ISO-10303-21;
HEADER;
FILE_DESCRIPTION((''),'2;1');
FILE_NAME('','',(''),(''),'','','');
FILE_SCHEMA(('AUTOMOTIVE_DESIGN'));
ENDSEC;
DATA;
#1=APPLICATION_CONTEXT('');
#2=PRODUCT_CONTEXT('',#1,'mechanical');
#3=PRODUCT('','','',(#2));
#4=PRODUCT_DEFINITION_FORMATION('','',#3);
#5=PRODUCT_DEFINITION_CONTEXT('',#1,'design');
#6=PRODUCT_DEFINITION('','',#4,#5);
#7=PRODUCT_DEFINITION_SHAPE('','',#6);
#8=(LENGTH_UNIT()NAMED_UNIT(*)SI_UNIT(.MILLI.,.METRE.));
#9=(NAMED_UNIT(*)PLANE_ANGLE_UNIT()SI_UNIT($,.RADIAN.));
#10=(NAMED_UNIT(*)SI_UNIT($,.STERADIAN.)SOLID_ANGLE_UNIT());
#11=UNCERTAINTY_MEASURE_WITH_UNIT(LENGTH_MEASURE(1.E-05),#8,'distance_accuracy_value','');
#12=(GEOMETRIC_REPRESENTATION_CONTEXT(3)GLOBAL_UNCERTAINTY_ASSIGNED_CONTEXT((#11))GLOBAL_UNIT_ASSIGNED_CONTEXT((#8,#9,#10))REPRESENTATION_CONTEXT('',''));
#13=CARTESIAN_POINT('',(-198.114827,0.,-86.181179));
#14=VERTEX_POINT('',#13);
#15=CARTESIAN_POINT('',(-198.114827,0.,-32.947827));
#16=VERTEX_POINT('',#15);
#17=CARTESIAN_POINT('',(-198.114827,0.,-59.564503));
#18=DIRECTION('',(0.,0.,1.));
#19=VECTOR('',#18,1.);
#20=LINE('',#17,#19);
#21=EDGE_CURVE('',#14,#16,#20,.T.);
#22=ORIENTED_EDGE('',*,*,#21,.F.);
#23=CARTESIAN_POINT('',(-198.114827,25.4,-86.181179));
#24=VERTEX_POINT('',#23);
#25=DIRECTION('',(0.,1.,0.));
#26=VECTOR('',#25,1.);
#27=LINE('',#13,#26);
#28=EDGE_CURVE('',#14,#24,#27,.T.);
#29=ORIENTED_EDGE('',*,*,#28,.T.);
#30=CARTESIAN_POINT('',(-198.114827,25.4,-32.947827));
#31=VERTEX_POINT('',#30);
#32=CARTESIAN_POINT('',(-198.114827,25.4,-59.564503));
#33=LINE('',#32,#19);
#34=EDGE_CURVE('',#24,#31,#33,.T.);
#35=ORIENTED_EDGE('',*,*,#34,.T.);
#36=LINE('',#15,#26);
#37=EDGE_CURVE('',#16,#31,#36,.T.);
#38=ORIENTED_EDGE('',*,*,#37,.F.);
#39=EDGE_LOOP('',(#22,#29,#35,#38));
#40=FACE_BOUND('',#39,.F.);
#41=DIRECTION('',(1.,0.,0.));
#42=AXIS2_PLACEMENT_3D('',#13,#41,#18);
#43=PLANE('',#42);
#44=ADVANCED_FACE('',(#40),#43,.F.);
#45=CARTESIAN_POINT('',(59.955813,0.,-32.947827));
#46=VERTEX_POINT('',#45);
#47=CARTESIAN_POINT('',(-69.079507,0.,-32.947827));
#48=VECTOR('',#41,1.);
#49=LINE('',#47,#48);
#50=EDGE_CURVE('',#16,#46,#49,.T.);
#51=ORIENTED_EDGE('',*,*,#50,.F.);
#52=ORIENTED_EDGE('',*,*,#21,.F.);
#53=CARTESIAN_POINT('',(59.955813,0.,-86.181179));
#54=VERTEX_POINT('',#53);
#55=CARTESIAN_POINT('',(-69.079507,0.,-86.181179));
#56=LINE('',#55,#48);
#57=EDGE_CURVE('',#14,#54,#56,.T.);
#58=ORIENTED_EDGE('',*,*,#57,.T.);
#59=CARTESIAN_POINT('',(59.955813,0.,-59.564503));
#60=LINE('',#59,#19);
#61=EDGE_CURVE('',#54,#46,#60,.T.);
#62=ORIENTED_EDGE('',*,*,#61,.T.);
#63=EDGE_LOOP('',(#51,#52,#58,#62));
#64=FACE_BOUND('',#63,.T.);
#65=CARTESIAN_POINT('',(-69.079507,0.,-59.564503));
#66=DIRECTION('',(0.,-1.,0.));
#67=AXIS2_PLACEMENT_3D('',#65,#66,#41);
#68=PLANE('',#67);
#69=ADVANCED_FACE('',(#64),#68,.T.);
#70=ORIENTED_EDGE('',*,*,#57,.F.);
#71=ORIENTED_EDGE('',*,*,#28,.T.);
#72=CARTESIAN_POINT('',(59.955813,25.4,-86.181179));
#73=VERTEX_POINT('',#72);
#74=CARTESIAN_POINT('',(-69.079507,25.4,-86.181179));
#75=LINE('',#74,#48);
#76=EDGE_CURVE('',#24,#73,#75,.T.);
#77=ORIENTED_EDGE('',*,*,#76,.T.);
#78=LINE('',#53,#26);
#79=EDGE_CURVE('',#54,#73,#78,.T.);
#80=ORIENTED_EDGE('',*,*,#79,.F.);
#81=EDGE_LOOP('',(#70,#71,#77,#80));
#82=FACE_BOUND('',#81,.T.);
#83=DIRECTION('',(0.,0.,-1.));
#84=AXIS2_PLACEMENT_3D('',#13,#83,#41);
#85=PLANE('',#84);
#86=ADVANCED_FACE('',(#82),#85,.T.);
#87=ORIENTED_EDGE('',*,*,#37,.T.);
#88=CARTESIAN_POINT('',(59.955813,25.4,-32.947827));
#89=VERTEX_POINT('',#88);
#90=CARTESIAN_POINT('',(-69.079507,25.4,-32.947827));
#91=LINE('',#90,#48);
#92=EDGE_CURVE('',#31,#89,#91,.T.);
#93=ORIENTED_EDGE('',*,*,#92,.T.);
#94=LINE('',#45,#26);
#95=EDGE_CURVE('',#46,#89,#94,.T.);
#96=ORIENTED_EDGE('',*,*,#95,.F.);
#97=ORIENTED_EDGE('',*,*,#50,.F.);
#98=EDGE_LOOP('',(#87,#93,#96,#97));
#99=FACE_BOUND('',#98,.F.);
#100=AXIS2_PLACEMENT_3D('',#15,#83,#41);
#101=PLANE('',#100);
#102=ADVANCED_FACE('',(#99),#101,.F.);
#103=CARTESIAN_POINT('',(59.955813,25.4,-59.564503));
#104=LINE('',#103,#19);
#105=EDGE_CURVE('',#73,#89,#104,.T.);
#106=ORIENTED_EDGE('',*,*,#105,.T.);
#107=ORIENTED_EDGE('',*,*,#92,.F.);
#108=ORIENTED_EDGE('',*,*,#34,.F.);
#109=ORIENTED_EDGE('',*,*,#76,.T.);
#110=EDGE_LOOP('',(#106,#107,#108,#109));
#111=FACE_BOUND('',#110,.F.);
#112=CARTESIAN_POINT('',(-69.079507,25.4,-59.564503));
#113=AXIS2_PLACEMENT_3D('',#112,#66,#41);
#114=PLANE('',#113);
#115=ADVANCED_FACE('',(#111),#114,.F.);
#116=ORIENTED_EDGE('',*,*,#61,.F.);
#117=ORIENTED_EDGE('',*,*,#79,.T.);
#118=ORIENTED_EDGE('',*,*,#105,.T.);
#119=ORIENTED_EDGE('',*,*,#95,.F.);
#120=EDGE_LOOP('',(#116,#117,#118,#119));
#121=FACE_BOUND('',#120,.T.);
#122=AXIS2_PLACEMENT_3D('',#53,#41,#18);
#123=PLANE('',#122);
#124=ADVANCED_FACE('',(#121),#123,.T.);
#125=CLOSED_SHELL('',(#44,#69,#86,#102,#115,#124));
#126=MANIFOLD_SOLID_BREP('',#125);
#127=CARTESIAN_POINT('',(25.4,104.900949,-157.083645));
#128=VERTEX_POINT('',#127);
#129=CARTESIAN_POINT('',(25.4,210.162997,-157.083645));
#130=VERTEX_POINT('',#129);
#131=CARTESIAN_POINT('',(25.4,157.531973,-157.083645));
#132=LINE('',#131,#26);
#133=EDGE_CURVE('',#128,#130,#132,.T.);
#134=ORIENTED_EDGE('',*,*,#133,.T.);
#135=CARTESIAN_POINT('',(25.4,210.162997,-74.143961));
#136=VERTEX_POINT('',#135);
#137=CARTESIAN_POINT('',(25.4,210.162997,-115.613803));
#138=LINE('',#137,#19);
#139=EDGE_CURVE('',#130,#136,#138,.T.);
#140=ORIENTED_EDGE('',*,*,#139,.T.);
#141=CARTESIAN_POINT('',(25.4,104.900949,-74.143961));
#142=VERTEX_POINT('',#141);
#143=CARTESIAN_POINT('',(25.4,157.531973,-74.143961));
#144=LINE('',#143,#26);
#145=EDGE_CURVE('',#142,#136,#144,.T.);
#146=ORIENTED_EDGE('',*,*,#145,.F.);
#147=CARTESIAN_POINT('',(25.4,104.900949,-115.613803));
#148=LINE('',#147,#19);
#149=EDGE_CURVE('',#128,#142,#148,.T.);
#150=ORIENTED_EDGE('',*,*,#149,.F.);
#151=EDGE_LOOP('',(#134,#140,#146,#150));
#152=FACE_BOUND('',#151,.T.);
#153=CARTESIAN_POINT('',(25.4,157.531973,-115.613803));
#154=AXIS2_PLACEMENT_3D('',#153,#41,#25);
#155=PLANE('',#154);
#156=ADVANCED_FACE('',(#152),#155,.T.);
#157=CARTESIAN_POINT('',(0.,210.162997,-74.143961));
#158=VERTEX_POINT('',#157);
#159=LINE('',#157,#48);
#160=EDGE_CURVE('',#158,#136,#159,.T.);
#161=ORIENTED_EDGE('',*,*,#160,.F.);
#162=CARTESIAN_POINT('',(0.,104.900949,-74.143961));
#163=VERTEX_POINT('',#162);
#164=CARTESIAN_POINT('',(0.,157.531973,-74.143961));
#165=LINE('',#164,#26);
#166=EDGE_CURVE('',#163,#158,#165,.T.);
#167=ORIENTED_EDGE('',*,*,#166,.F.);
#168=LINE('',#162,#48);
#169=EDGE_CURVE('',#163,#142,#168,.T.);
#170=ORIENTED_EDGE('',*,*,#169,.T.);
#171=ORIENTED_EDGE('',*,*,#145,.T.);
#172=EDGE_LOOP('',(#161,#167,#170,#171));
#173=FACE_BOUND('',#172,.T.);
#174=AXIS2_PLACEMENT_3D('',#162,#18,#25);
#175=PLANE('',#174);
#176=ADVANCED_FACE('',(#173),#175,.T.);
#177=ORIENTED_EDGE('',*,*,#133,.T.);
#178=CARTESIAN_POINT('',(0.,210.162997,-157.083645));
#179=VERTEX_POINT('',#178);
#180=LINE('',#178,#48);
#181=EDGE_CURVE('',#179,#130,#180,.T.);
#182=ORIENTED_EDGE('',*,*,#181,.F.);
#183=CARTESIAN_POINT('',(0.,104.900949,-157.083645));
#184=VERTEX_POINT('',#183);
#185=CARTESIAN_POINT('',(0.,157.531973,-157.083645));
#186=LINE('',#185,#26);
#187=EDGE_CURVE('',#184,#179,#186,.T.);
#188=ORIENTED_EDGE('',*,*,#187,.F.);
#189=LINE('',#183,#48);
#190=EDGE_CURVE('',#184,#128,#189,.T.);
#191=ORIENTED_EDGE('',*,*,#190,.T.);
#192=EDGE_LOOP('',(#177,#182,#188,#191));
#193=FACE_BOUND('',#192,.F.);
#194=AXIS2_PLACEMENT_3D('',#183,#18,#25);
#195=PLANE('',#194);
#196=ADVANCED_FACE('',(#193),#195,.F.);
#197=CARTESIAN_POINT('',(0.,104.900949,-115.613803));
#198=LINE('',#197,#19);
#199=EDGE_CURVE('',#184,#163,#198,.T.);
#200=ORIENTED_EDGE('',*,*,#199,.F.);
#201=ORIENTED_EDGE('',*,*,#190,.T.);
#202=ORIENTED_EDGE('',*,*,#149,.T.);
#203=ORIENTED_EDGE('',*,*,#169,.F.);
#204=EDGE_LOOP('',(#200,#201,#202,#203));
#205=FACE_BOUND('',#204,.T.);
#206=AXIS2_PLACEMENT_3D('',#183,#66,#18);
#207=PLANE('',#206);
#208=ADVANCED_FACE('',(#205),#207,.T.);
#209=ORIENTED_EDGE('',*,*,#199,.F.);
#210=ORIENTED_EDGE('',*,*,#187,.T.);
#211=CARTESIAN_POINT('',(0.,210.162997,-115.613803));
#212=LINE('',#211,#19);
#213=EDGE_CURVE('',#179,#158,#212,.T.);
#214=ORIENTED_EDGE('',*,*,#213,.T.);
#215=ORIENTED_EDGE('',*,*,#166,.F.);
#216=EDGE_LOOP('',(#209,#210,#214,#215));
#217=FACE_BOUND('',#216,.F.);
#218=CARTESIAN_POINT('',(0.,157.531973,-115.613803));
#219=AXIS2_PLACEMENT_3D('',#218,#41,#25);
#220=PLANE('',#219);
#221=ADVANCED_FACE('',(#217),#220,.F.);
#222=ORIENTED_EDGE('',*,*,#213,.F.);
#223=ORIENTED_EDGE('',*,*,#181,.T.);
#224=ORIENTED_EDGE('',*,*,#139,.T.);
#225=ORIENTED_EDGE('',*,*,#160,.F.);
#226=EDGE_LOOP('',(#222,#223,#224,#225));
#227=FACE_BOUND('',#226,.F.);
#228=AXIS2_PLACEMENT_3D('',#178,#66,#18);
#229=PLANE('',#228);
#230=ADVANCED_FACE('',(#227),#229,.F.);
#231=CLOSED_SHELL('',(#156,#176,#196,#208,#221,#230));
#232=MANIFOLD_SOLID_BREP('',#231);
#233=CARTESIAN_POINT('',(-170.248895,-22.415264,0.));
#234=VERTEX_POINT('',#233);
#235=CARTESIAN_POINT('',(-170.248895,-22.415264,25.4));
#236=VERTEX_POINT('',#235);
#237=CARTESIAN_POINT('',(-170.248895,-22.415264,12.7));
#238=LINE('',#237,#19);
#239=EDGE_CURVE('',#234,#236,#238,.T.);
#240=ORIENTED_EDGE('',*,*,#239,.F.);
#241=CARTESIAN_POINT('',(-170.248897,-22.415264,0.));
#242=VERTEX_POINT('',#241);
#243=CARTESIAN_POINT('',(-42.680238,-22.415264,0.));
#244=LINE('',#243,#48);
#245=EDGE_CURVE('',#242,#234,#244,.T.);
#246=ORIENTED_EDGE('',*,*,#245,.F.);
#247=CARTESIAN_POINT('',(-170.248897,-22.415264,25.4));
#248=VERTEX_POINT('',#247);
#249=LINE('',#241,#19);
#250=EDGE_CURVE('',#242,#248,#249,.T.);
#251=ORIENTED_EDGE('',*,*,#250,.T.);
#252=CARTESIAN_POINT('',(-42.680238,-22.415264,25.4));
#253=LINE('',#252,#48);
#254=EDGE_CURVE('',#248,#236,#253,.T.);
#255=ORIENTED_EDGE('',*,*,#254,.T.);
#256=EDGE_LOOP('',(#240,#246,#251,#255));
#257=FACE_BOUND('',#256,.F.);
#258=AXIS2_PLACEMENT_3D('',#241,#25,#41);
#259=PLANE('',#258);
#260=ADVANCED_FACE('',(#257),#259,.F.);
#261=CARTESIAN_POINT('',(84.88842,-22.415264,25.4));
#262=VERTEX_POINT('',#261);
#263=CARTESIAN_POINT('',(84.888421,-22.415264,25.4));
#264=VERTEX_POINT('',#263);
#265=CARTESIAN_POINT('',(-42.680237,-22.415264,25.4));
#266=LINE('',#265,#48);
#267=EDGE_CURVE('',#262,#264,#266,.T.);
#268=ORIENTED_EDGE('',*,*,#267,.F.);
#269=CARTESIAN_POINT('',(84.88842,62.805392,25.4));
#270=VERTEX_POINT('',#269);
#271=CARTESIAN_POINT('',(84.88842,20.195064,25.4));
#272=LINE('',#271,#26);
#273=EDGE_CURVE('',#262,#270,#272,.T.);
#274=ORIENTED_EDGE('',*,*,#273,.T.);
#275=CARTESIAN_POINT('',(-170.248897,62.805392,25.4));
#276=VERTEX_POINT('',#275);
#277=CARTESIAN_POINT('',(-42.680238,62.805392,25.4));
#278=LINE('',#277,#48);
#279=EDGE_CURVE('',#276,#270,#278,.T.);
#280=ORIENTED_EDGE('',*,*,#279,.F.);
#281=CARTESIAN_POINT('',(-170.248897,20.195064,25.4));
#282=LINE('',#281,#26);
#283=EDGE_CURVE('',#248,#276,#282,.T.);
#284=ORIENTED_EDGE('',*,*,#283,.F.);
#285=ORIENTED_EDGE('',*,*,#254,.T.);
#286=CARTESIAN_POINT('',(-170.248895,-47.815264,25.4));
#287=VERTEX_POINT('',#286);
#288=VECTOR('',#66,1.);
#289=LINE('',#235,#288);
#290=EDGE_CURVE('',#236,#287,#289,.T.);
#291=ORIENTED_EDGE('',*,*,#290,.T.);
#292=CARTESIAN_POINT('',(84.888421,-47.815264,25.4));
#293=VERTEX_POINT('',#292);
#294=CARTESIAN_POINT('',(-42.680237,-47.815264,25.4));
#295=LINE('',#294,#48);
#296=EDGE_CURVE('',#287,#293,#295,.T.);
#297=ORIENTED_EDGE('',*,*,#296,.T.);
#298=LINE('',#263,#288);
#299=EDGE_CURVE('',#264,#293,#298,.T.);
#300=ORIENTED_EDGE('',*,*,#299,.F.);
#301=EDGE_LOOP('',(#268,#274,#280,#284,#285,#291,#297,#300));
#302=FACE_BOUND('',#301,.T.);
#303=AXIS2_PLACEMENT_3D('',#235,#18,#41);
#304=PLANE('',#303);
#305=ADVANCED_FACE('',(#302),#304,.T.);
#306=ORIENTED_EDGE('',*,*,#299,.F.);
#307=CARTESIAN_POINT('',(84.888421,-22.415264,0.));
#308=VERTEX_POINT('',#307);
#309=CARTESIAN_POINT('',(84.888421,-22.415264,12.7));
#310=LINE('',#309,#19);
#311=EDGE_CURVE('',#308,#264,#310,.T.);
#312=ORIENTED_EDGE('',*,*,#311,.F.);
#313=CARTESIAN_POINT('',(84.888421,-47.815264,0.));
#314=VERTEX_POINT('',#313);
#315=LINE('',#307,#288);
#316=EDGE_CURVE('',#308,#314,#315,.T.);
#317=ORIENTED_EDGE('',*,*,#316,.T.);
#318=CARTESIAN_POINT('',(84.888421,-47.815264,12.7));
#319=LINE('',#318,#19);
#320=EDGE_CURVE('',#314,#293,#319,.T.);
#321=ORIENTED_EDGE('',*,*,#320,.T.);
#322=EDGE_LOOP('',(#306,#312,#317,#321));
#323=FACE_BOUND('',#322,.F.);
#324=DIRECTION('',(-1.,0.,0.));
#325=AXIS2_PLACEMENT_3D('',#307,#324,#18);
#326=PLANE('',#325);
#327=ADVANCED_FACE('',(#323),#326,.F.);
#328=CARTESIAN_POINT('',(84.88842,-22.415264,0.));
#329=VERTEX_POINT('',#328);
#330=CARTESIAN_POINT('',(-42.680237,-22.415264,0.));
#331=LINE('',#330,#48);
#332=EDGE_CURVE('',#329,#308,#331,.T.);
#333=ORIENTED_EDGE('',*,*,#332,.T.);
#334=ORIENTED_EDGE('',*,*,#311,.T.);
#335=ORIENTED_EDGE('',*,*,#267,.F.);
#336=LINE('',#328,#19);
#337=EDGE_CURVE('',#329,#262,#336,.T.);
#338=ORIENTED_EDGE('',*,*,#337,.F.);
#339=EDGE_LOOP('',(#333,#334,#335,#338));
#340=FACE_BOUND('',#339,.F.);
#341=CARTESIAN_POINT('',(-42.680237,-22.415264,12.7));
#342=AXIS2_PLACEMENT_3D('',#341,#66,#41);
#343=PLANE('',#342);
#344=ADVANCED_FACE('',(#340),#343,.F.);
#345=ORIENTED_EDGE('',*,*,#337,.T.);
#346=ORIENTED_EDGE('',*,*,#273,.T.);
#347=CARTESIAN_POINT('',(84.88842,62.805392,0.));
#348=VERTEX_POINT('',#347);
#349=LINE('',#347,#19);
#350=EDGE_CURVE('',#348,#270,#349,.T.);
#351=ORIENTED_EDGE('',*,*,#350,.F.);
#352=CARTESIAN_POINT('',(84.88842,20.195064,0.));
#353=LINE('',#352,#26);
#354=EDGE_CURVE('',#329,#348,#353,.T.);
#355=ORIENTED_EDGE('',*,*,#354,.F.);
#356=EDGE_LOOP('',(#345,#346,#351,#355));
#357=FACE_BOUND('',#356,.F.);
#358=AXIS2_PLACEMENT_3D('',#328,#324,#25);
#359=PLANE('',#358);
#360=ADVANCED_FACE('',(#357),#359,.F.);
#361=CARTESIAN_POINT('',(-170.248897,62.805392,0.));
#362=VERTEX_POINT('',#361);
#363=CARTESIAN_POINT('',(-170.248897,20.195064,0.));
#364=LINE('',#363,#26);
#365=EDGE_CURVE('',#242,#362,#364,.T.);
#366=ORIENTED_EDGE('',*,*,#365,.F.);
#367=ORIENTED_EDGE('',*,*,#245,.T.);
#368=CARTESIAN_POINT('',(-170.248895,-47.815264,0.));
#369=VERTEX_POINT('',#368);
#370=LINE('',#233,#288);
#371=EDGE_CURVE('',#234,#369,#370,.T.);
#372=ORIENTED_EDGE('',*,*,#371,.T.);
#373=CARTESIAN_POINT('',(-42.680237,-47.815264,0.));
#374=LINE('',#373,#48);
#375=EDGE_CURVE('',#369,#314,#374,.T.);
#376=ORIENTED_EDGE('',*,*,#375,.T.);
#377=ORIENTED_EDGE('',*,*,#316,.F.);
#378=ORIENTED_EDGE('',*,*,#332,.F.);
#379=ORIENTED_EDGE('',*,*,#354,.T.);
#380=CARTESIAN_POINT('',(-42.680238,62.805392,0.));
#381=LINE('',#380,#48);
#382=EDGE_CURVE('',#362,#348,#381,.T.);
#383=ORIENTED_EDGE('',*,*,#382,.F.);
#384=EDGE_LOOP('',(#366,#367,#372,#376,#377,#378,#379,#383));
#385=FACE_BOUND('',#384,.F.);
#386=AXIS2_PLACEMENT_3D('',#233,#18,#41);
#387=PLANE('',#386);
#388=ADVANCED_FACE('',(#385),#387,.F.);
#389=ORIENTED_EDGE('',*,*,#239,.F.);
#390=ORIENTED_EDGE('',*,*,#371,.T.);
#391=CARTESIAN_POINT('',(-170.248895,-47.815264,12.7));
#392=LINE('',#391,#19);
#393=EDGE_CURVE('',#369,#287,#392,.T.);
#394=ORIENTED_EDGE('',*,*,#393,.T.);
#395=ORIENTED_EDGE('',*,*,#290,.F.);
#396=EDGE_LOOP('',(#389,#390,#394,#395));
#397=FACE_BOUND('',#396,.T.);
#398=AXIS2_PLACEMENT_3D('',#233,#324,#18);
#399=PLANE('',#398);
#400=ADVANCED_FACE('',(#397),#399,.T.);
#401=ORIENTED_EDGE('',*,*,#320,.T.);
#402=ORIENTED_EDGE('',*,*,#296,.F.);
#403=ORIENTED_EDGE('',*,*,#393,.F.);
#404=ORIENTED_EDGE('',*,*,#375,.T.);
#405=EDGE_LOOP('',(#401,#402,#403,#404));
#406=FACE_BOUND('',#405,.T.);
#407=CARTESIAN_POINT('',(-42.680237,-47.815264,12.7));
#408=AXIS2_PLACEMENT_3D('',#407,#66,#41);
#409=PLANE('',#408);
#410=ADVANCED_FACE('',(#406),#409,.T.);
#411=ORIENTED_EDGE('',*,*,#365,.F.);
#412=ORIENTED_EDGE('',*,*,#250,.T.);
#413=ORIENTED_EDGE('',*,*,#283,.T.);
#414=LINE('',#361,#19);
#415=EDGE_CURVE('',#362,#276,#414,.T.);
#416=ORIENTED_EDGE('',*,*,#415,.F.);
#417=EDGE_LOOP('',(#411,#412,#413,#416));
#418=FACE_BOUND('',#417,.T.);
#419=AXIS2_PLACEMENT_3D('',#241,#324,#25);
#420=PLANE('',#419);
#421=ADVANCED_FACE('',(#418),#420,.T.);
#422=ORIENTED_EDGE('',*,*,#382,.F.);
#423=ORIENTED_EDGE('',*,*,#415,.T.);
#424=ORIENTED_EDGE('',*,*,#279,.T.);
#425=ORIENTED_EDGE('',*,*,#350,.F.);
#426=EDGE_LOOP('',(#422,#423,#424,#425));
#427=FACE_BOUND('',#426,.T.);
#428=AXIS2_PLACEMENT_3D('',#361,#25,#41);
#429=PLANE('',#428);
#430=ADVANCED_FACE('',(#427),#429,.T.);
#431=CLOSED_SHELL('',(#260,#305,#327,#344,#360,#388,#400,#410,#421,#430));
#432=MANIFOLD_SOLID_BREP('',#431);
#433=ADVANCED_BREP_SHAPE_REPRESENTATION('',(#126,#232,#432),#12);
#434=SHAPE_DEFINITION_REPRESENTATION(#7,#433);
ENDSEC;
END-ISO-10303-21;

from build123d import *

# Parameters (mm, degrees)
F0_W      = 255.137317
F0_H      = 85.220656
F1_DEPTH  = 25.4
F1_FACE_W = 255.137316
F1_FACE_H = 25.4
F2_DEPTH  = 25.4
F3_W      = 258.07064
F3_H      = 53.233352
F4_DEPTH  = 25.4
F5_W      = 105.262048
F5_H      = 82.939684
F6_DEPTH  = 25.4


with BuildPart() as f1:
    # F0 (on Top) → F1 (new body)
    with BuildSketch(Plane.XY):
        with Locations((-42.680238, 20.195064)):
            Rectangle(F0_W, F0_H)
    extrude(amount=F1_DEPTH)

    # F1_face (on face) → F2 (join)
    with BuildSketch(Plane(origin=(-42.680237, -22.415264, 12.7), x_dir=(1, 0, 0), z_dir=(0, -1, 0))):
        Rectangle(F1_FACE_W, F1_FACE_H)
    extrude(amount=F2_DEPTH)


with BuildPart() as f4:
    # F3 (on Front) → F4 (new body)
    with BuildSketch(Plane.XZ):
        with Locations((-69.079507, -59.564503)):
            Rectangle(F3_W, F3_H)
    extrude(amount=-F4_DEPTH)


with BuildPart() as f6:
    # F5 (on Right) → F6 (new body)
    with BuildSketch(Plane.YZ):
        with Locations((157.531973, -115.613803)):
            Rectangle(F5_W, F5_H)
    extrude(amount=F6_DEPTH)


solid = Compound([f1.part, f4.part, f6.part])
